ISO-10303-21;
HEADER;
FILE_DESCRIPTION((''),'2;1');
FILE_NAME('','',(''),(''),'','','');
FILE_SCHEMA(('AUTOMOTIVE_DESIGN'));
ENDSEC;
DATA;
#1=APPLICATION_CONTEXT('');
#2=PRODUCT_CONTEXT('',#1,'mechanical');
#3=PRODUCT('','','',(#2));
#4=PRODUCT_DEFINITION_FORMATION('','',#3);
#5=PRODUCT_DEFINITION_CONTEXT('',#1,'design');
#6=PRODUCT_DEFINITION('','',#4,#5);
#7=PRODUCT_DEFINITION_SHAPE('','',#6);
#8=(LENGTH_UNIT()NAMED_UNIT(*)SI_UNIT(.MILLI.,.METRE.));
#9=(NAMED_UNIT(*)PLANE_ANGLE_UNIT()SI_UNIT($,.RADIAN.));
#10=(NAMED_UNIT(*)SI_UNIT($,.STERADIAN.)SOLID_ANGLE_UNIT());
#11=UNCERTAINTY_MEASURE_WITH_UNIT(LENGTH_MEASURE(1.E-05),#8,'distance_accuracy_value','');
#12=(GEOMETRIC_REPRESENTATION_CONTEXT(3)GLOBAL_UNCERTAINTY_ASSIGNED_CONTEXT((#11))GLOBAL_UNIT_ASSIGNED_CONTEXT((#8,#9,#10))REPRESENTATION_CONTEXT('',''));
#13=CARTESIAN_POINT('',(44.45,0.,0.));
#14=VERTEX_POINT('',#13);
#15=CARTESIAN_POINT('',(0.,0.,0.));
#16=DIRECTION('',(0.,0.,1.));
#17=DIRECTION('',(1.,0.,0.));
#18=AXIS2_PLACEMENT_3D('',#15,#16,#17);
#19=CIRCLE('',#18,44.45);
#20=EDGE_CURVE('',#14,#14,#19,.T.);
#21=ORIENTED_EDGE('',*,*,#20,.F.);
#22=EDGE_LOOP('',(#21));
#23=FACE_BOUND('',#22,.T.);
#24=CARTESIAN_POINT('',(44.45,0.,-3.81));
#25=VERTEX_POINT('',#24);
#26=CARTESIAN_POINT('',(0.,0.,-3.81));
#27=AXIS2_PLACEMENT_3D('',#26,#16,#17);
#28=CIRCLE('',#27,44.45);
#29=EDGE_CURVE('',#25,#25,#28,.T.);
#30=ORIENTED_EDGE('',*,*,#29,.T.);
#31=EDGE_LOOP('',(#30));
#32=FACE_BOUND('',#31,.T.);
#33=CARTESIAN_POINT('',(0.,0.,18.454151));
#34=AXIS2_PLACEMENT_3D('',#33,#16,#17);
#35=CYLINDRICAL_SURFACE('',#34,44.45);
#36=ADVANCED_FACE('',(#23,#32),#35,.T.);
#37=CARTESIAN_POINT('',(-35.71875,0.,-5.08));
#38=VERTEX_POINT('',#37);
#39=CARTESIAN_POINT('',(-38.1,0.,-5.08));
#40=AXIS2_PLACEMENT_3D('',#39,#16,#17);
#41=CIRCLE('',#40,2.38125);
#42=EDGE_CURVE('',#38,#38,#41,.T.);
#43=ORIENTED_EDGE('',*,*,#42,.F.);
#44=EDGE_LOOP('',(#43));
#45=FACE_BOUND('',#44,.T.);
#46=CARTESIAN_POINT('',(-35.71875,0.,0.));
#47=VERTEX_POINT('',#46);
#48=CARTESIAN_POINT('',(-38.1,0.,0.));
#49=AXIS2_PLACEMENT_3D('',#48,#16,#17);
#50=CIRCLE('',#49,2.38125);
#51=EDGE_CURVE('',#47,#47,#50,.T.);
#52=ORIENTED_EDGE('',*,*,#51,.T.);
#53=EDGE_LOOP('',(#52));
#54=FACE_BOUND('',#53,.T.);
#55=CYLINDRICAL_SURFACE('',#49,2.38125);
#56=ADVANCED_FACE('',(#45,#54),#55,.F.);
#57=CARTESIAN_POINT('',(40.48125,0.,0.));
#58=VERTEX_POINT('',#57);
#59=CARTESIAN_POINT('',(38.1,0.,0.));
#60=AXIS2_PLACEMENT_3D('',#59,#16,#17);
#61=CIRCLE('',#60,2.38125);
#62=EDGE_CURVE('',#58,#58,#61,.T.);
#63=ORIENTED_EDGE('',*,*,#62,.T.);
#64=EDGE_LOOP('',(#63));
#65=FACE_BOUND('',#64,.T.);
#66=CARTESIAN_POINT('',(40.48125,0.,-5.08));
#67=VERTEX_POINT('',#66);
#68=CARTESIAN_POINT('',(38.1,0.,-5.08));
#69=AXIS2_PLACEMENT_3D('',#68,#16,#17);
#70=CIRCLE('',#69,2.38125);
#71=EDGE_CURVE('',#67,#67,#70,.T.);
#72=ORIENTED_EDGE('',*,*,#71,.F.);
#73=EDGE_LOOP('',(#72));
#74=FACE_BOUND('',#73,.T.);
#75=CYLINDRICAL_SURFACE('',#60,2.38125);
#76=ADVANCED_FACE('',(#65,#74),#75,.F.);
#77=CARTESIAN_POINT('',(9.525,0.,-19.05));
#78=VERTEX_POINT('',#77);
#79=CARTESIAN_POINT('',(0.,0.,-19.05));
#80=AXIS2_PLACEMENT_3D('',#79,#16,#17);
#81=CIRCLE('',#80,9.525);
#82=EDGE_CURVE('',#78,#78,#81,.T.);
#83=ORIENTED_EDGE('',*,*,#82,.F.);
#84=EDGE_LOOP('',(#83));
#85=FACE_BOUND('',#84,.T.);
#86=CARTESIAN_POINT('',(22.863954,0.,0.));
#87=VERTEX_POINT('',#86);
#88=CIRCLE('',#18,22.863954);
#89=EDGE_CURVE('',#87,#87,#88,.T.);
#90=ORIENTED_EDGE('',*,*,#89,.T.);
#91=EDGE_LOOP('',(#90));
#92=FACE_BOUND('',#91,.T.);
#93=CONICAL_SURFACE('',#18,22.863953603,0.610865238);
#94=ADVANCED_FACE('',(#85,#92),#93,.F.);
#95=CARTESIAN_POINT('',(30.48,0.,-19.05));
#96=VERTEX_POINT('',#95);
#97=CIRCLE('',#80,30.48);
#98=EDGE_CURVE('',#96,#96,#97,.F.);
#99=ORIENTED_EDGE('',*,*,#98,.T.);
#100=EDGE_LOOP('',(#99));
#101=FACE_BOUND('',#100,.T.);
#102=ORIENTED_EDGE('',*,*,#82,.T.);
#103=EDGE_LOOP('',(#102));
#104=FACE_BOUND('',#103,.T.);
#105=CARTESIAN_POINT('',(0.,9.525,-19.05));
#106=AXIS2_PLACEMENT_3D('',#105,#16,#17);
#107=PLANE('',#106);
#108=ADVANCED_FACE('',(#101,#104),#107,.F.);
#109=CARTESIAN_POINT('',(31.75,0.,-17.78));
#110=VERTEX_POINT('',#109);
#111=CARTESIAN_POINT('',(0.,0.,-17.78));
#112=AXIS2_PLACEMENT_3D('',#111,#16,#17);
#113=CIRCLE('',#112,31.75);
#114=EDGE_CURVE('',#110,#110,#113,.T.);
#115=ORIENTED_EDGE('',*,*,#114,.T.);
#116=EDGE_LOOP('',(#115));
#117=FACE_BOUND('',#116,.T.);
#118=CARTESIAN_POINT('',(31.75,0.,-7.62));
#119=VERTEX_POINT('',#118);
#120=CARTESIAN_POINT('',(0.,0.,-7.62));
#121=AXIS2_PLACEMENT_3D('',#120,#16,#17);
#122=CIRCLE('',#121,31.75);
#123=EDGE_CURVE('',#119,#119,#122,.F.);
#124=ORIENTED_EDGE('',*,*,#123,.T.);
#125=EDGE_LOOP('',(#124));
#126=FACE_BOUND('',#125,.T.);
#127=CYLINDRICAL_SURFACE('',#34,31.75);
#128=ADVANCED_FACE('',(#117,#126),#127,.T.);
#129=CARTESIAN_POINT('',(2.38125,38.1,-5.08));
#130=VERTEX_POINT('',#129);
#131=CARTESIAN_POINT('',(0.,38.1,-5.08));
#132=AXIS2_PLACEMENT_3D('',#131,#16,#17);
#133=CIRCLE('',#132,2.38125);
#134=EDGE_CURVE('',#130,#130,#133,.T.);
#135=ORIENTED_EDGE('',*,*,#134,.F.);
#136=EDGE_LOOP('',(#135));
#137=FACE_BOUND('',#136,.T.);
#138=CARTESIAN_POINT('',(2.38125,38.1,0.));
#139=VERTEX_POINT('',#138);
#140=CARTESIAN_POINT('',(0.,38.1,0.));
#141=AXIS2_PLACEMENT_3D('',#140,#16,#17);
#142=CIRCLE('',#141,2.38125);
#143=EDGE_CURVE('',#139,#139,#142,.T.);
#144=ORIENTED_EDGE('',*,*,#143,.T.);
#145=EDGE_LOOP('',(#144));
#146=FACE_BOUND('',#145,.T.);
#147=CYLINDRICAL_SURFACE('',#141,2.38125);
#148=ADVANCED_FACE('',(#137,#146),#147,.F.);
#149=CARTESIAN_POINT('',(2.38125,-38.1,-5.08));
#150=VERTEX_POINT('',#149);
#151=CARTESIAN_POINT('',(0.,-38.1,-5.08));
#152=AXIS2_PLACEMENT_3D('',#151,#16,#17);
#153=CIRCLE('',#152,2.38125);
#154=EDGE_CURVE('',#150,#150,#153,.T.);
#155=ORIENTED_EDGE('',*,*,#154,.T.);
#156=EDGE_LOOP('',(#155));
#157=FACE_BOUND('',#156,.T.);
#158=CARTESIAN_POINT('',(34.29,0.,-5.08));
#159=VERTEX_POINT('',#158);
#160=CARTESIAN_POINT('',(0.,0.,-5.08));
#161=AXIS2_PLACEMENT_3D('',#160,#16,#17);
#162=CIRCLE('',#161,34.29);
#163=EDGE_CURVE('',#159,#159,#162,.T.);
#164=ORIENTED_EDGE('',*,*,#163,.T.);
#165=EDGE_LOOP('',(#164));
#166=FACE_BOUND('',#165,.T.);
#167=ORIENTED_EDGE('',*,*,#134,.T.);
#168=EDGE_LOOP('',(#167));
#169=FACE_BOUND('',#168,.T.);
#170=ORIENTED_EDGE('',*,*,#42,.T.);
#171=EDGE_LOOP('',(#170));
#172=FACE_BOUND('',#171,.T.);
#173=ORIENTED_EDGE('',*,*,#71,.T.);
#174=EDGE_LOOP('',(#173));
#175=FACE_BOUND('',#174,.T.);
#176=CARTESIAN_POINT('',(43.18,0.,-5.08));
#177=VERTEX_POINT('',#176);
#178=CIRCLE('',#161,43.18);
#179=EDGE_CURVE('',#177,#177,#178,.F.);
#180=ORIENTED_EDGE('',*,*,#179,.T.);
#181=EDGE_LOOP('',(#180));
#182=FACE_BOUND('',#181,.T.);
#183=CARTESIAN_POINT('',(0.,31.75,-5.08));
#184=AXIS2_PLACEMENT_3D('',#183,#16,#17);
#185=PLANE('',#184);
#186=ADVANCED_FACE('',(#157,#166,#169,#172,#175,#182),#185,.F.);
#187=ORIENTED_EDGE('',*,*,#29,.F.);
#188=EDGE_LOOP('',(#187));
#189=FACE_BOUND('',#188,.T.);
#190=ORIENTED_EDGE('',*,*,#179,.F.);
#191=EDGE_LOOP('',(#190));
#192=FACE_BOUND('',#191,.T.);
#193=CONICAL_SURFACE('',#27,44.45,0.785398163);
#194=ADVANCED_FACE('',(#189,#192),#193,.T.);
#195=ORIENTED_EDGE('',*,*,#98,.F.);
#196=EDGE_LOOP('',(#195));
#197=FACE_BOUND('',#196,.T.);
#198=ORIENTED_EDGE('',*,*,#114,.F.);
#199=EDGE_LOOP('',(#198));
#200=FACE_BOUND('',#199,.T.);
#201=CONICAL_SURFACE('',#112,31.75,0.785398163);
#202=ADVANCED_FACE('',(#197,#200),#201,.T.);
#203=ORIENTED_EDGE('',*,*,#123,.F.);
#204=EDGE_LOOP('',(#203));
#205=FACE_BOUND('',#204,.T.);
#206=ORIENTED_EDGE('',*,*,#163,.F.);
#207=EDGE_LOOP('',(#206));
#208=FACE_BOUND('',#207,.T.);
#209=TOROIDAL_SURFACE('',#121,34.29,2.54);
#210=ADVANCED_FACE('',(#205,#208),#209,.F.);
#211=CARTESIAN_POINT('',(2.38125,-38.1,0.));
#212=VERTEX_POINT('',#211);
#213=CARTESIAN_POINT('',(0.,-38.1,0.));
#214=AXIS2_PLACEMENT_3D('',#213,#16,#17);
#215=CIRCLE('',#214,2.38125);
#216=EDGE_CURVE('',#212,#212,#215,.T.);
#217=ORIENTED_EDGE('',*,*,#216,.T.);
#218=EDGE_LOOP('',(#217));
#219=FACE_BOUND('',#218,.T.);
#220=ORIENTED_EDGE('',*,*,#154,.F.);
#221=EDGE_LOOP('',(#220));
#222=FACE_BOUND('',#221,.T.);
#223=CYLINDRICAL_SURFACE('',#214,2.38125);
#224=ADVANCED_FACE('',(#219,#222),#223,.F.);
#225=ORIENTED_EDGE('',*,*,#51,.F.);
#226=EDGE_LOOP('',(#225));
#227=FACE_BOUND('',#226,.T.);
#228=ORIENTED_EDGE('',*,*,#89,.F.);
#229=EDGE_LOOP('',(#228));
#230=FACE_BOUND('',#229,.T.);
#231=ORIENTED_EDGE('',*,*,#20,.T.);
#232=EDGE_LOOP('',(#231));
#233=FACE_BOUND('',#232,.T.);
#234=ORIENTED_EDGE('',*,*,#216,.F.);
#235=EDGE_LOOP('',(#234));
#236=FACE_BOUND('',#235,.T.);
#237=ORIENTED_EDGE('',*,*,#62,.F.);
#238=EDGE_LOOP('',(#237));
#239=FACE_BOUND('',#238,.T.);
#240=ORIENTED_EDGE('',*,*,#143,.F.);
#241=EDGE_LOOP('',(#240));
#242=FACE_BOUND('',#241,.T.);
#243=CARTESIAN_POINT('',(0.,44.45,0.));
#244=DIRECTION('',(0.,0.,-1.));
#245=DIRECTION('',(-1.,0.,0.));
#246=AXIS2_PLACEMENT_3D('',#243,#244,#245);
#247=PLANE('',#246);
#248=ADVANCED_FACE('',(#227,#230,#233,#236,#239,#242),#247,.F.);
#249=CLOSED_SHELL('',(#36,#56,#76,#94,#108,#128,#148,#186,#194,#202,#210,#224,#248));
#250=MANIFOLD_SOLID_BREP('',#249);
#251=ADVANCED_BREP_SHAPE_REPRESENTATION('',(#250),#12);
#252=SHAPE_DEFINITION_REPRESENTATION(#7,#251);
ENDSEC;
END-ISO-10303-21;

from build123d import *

# Parameters (mm, degrees)
F_3_16_0_1875_DIAMETER_HOLE1_D = 4.7625
FILLET1_R                      = 2.54
CHAMFER1_SIZE                  = 1.27


with BuildPart() as part:
    # Sketch1 → Revolve1 (revolve)
    with BuildSketch(Plane(origin=(0, 0, 0), x_dir=(0, 0, -1), z_dir=(1, 0, 0))):
        Polygon((0, 22.863953603), (19.05, 9.525), (19.05, 31.75), (5.08, 31.75), (5.08, 44.45), (0, 44.45), align=None)
    revolve(axis=Axis((0, 0, 18.454150881), (0, 0, -1)))

    # 3/16 (0.1875) Diameter Hole1 (through all)
    with Locations(Plane.XY):
        with Locations((0, 38.1), (38.1, 0), (0, -38.1), (-38.1, 0), (0, 0)):
            Hole(F_3_16_0_1875_DIAMETER_HOLE1_D / 2)

    # Fillet1
    fillet1_edges = [part.edges().sort_by_distance(p)[0] for p in [
        (0, -31.75, -5.08),
    ]]
    fillet(fillet1_edges, radius=FILLET1_R)

    # Chamfer1
    chamfer1_edges = [part.edges().sort_by_distance(p)[0] for p in [
        (0, -31.75, -19.05),
        (0, -44.45, -5.08),
    ]]
    chamfer(chamfer1_edges, length=CHAMFER1_SIZE)


solid = part.part
